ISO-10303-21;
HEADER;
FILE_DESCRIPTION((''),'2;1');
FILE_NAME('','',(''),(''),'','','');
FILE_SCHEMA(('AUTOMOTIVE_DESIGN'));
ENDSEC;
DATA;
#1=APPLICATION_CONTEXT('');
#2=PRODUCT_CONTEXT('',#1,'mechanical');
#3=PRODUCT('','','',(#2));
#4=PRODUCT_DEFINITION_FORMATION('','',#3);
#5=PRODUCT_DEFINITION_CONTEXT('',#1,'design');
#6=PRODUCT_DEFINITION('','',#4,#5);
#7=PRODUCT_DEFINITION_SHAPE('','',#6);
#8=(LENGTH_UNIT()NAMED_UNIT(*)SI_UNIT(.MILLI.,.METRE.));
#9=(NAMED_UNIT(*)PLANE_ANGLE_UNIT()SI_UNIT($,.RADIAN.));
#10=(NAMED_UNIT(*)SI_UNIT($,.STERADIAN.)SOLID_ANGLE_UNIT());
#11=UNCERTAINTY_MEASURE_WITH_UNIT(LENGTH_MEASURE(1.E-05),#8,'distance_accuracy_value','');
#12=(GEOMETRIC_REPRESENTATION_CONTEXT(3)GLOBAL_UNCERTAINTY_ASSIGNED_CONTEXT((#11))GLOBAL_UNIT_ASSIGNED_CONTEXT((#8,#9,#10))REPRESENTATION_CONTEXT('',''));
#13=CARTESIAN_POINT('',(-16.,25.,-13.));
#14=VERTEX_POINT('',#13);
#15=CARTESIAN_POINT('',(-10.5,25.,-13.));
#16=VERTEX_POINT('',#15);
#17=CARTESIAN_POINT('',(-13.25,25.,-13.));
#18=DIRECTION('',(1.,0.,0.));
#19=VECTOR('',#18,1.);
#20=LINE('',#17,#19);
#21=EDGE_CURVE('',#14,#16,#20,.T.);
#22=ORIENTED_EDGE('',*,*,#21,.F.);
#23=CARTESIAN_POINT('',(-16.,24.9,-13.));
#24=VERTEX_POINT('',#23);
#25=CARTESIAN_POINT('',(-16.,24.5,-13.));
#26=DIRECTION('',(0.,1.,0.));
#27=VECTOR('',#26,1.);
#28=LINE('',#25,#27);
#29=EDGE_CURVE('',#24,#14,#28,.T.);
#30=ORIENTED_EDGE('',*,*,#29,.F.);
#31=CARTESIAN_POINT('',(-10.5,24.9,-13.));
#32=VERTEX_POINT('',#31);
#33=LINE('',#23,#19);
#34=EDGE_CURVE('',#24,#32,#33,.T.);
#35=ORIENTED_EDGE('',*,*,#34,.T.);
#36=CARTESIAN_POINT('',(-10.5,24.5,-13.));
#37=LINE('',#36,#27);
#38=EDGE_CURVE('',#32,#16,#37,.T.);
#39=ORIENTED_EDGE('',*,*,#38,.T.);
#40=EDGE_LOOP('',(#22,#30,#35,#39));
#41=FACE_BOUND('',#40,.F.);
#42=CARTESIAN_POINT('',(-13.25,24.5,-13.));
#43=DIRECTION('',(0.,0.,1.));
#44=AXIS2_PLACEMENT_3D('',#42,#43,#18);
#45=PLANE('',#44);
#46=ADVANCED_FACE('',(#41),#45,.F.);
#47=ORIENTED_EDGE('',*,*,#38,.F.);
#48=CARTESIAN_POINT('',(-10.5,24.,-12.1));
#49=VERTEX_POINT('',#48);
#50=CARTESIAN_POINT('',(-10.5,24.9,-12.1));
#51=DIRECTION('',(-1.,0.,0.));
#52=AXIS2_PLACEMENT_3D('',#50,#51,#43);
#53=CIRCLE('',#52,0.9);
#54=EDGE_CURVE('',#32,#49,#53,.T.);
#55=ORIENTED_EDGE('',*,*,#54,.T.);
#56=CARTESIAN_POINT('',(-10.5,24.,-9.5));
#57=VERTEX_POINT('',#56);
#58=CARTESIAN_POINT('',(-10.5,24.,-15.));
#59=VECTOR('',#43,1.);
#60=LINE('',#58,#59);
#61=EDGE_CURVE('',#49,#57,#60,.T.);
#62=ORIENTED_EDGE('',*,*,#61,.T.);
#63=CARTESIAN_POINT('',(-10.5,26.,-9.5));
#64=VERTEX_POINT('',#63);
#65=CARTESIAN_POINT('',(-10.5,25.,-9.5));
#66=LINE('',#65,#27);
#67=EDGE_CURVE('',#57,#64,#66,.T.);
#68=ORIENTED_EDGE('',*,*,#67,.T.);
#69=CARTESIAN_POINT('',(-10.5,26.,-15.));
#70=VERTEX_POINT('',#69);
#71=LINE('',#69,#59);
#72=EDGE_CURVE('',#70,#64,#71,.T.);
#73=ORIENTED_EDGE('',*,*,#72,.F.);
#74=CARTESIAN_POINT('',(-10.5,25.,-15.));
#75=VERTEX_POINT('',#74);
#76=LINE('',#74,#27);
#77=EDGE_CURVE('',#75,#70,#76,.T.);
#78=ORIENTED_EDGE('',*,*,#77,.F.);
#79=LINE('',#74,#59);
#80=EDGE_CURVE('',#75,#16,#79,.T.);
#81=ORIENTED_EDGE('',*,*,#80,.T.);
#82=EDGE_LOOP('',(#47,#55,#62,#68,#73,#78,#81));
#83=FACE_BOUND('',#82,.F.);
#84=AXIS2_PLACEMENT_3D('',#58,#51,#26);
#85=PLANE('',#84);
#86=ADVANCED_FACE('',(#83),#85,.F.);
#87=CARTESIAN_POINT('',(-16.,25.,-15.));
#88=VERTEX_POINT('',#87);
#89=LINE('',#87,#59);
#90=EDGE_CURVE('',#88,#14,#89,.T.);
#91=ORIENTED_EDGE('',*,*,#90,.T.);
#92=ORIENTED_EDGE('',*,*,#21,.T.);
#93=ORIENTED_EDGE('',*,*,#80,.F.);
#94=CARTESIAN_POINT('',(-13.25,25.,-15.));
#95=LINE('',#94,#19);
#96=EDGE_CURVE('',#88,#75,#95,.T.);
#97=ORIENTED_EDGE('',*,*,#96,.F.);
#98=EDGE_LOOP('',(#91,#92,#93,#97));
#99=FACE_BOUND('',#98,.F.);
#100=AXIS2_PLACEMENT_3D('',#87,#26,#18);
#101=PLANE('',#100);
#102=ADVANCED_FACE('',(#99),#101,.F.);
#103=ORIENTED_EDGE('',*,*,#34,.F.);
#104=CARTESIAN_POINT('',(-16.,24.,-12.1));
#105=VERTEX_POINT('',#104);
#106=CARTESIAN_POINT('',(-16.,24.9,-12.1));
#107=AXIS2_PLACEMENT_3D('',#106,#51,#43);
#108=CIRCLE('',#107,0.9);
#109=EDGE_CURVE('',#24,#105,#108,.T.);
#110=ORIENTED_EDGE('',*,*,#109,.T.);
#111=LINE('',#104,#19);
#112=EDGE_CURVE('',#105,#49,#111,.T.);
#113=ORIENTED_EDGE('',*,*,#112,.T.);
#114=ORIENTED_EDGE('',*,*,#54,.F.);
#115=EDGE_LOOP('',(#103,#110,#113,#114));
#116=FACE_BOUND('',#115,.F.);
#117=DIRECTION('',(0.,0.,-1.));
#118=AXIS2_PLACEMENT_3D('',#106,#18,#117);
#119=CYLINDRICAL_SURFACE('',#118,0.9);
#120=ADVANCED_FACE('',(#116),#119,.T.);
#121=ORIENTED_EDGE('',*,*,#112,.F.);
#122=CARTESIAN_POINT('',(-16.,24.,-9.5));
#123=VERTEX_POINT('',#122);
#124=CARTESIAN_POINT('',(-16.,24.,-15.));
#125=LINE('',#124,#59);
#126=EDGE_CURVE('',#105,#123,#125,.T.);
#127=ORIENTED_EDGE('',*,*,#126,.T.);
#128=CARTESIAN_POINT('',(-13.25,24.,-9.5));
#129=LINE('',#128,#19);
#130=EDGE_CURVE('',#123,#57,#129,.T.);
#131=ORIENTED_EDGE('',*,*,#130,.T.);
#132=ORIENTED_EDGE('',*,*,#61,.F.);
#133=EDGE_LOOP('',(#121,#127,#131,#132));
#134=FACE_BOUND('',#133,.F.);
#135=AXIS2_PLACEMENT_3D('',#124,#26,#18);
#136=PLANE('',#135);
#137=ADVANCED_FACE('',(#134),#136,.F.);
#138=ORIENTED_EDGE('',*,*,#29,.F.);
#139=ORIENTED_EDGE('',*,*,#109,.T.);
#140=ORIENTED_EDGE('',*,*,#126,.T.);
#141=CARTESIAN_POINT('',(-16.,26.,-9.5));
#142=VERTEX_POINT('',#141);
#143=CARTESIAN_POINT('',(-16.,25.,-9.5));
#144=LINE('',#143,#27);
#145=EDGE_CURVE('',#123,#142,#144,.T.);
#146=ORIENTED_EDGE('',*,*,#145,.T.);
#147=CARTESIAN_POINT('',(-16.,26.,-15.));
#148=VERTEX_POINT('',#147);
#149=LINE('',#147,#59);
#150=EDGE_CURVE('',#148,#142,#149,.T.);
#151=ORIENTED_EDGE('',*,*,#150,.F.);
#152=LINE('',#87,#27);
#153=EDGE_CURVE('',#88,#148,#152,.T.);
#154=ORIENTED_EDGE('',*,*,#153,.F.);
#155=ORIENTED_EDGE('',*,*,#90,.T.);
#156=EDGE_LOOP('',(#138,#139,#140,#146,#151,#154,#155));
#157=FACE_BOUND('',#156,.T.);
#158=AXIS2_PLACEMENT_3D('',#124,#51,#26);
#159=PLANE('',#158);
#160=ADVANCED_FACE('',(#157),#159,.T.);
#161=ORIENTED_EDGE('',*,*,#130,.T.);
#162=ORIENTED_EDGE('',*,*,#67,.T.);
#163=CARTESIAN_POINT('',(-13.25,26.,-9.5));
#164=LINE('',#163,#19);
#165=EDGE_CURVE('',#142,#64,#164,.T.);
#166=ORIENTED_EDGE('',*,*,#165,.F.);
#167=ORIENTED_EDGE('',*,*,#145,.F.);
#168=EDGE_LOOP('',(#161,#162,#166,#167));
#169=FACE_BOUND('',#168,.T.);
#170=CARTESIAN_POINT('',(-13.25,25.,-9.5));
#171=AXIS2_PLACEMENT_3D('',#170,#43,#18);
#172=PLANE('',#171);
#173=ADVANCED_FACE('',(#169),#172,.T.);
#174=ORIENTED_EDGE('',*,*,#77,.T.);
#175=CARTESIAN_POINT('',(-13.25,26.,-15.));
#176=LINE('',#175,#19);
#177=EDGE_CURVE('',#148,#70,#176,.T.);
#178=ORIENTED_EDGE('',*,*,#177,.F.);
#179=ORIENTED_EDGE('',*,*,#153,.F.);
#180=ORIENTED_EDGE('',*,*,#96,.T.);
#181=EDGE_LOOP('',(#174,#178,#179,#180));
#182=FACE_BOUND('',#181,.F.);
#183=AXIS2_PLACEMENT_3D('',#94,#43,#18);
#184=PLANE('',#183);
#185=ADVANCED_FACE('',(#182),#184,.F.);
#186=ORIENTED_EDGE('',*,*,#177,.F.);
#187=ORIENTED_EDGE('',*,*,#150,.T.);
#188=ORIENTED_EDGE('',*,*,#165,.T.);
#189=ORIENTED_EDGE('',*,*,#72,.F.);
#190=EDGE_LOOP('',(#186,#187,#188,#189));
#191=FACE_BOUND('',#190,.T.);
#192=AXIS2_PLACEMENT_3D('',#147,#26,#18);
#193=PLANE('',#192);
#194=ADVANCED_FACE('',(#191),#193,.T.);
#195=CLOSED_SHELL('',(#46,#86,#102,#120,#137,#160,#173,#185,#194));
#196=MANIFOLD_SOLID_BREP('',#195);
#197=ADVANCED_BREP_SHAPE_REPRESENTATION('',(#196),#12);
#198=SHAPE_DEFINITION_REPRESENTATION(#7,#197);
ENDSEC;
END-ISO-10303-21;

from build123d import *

# Parameters (mm, degrees)
BOX023_W     = 5.5
BOX023_H     = 1
BOX023_DEPTH = 2
BOX022_W     = 5.5
BOX022_H     = 2
BOX022_DEPTH = 5.5
FILLET005_R  = 0.9


with BuildPart() as button_1_cut003:
    # Box023 → Box023 (new body)
    with BuildSketch(Plane(origin=(5, 24, -15), x_dir=(1, 0, 0), z_dir=(0, 0, 1))):
        with Locations((2.75, 0.5)):
            Rectangle(BOX023_W, BOX023_H)
    extrude(amount=BOX023_DEPTH)


with BuildPart() as fillet005:
    # Box022 → Box022 (new body)
    with BuildSketch(Plane(origin=(5, 24, -15), x_dir=(1, 0, 0), z_dir=(0, 0, 1))):
        with Locations((2.75, 1)):
            Rectangle(BOX022_W, BOX022_H)
    extrude(amount=BOX022_DEPTH)

    # Cut003: cut Button 1 Cut003
    add(button_1_cut003.part, mode=Mode.SUBTRACT)

    # Fillet005
    fillet005_edges = [fillet005.edges().sort_by_distance(p)[0] for p in [
        (7.75, 24, -13),
    ]]
    fillet(fillet005_edges, radius=FILLET005_R)


with BuildPart() as fillet005_1:
    # Fillet005 placement: moved
    add(fillet005.part.moved(Location((-21, 0, 0))))


solid = fillet005_1.part
